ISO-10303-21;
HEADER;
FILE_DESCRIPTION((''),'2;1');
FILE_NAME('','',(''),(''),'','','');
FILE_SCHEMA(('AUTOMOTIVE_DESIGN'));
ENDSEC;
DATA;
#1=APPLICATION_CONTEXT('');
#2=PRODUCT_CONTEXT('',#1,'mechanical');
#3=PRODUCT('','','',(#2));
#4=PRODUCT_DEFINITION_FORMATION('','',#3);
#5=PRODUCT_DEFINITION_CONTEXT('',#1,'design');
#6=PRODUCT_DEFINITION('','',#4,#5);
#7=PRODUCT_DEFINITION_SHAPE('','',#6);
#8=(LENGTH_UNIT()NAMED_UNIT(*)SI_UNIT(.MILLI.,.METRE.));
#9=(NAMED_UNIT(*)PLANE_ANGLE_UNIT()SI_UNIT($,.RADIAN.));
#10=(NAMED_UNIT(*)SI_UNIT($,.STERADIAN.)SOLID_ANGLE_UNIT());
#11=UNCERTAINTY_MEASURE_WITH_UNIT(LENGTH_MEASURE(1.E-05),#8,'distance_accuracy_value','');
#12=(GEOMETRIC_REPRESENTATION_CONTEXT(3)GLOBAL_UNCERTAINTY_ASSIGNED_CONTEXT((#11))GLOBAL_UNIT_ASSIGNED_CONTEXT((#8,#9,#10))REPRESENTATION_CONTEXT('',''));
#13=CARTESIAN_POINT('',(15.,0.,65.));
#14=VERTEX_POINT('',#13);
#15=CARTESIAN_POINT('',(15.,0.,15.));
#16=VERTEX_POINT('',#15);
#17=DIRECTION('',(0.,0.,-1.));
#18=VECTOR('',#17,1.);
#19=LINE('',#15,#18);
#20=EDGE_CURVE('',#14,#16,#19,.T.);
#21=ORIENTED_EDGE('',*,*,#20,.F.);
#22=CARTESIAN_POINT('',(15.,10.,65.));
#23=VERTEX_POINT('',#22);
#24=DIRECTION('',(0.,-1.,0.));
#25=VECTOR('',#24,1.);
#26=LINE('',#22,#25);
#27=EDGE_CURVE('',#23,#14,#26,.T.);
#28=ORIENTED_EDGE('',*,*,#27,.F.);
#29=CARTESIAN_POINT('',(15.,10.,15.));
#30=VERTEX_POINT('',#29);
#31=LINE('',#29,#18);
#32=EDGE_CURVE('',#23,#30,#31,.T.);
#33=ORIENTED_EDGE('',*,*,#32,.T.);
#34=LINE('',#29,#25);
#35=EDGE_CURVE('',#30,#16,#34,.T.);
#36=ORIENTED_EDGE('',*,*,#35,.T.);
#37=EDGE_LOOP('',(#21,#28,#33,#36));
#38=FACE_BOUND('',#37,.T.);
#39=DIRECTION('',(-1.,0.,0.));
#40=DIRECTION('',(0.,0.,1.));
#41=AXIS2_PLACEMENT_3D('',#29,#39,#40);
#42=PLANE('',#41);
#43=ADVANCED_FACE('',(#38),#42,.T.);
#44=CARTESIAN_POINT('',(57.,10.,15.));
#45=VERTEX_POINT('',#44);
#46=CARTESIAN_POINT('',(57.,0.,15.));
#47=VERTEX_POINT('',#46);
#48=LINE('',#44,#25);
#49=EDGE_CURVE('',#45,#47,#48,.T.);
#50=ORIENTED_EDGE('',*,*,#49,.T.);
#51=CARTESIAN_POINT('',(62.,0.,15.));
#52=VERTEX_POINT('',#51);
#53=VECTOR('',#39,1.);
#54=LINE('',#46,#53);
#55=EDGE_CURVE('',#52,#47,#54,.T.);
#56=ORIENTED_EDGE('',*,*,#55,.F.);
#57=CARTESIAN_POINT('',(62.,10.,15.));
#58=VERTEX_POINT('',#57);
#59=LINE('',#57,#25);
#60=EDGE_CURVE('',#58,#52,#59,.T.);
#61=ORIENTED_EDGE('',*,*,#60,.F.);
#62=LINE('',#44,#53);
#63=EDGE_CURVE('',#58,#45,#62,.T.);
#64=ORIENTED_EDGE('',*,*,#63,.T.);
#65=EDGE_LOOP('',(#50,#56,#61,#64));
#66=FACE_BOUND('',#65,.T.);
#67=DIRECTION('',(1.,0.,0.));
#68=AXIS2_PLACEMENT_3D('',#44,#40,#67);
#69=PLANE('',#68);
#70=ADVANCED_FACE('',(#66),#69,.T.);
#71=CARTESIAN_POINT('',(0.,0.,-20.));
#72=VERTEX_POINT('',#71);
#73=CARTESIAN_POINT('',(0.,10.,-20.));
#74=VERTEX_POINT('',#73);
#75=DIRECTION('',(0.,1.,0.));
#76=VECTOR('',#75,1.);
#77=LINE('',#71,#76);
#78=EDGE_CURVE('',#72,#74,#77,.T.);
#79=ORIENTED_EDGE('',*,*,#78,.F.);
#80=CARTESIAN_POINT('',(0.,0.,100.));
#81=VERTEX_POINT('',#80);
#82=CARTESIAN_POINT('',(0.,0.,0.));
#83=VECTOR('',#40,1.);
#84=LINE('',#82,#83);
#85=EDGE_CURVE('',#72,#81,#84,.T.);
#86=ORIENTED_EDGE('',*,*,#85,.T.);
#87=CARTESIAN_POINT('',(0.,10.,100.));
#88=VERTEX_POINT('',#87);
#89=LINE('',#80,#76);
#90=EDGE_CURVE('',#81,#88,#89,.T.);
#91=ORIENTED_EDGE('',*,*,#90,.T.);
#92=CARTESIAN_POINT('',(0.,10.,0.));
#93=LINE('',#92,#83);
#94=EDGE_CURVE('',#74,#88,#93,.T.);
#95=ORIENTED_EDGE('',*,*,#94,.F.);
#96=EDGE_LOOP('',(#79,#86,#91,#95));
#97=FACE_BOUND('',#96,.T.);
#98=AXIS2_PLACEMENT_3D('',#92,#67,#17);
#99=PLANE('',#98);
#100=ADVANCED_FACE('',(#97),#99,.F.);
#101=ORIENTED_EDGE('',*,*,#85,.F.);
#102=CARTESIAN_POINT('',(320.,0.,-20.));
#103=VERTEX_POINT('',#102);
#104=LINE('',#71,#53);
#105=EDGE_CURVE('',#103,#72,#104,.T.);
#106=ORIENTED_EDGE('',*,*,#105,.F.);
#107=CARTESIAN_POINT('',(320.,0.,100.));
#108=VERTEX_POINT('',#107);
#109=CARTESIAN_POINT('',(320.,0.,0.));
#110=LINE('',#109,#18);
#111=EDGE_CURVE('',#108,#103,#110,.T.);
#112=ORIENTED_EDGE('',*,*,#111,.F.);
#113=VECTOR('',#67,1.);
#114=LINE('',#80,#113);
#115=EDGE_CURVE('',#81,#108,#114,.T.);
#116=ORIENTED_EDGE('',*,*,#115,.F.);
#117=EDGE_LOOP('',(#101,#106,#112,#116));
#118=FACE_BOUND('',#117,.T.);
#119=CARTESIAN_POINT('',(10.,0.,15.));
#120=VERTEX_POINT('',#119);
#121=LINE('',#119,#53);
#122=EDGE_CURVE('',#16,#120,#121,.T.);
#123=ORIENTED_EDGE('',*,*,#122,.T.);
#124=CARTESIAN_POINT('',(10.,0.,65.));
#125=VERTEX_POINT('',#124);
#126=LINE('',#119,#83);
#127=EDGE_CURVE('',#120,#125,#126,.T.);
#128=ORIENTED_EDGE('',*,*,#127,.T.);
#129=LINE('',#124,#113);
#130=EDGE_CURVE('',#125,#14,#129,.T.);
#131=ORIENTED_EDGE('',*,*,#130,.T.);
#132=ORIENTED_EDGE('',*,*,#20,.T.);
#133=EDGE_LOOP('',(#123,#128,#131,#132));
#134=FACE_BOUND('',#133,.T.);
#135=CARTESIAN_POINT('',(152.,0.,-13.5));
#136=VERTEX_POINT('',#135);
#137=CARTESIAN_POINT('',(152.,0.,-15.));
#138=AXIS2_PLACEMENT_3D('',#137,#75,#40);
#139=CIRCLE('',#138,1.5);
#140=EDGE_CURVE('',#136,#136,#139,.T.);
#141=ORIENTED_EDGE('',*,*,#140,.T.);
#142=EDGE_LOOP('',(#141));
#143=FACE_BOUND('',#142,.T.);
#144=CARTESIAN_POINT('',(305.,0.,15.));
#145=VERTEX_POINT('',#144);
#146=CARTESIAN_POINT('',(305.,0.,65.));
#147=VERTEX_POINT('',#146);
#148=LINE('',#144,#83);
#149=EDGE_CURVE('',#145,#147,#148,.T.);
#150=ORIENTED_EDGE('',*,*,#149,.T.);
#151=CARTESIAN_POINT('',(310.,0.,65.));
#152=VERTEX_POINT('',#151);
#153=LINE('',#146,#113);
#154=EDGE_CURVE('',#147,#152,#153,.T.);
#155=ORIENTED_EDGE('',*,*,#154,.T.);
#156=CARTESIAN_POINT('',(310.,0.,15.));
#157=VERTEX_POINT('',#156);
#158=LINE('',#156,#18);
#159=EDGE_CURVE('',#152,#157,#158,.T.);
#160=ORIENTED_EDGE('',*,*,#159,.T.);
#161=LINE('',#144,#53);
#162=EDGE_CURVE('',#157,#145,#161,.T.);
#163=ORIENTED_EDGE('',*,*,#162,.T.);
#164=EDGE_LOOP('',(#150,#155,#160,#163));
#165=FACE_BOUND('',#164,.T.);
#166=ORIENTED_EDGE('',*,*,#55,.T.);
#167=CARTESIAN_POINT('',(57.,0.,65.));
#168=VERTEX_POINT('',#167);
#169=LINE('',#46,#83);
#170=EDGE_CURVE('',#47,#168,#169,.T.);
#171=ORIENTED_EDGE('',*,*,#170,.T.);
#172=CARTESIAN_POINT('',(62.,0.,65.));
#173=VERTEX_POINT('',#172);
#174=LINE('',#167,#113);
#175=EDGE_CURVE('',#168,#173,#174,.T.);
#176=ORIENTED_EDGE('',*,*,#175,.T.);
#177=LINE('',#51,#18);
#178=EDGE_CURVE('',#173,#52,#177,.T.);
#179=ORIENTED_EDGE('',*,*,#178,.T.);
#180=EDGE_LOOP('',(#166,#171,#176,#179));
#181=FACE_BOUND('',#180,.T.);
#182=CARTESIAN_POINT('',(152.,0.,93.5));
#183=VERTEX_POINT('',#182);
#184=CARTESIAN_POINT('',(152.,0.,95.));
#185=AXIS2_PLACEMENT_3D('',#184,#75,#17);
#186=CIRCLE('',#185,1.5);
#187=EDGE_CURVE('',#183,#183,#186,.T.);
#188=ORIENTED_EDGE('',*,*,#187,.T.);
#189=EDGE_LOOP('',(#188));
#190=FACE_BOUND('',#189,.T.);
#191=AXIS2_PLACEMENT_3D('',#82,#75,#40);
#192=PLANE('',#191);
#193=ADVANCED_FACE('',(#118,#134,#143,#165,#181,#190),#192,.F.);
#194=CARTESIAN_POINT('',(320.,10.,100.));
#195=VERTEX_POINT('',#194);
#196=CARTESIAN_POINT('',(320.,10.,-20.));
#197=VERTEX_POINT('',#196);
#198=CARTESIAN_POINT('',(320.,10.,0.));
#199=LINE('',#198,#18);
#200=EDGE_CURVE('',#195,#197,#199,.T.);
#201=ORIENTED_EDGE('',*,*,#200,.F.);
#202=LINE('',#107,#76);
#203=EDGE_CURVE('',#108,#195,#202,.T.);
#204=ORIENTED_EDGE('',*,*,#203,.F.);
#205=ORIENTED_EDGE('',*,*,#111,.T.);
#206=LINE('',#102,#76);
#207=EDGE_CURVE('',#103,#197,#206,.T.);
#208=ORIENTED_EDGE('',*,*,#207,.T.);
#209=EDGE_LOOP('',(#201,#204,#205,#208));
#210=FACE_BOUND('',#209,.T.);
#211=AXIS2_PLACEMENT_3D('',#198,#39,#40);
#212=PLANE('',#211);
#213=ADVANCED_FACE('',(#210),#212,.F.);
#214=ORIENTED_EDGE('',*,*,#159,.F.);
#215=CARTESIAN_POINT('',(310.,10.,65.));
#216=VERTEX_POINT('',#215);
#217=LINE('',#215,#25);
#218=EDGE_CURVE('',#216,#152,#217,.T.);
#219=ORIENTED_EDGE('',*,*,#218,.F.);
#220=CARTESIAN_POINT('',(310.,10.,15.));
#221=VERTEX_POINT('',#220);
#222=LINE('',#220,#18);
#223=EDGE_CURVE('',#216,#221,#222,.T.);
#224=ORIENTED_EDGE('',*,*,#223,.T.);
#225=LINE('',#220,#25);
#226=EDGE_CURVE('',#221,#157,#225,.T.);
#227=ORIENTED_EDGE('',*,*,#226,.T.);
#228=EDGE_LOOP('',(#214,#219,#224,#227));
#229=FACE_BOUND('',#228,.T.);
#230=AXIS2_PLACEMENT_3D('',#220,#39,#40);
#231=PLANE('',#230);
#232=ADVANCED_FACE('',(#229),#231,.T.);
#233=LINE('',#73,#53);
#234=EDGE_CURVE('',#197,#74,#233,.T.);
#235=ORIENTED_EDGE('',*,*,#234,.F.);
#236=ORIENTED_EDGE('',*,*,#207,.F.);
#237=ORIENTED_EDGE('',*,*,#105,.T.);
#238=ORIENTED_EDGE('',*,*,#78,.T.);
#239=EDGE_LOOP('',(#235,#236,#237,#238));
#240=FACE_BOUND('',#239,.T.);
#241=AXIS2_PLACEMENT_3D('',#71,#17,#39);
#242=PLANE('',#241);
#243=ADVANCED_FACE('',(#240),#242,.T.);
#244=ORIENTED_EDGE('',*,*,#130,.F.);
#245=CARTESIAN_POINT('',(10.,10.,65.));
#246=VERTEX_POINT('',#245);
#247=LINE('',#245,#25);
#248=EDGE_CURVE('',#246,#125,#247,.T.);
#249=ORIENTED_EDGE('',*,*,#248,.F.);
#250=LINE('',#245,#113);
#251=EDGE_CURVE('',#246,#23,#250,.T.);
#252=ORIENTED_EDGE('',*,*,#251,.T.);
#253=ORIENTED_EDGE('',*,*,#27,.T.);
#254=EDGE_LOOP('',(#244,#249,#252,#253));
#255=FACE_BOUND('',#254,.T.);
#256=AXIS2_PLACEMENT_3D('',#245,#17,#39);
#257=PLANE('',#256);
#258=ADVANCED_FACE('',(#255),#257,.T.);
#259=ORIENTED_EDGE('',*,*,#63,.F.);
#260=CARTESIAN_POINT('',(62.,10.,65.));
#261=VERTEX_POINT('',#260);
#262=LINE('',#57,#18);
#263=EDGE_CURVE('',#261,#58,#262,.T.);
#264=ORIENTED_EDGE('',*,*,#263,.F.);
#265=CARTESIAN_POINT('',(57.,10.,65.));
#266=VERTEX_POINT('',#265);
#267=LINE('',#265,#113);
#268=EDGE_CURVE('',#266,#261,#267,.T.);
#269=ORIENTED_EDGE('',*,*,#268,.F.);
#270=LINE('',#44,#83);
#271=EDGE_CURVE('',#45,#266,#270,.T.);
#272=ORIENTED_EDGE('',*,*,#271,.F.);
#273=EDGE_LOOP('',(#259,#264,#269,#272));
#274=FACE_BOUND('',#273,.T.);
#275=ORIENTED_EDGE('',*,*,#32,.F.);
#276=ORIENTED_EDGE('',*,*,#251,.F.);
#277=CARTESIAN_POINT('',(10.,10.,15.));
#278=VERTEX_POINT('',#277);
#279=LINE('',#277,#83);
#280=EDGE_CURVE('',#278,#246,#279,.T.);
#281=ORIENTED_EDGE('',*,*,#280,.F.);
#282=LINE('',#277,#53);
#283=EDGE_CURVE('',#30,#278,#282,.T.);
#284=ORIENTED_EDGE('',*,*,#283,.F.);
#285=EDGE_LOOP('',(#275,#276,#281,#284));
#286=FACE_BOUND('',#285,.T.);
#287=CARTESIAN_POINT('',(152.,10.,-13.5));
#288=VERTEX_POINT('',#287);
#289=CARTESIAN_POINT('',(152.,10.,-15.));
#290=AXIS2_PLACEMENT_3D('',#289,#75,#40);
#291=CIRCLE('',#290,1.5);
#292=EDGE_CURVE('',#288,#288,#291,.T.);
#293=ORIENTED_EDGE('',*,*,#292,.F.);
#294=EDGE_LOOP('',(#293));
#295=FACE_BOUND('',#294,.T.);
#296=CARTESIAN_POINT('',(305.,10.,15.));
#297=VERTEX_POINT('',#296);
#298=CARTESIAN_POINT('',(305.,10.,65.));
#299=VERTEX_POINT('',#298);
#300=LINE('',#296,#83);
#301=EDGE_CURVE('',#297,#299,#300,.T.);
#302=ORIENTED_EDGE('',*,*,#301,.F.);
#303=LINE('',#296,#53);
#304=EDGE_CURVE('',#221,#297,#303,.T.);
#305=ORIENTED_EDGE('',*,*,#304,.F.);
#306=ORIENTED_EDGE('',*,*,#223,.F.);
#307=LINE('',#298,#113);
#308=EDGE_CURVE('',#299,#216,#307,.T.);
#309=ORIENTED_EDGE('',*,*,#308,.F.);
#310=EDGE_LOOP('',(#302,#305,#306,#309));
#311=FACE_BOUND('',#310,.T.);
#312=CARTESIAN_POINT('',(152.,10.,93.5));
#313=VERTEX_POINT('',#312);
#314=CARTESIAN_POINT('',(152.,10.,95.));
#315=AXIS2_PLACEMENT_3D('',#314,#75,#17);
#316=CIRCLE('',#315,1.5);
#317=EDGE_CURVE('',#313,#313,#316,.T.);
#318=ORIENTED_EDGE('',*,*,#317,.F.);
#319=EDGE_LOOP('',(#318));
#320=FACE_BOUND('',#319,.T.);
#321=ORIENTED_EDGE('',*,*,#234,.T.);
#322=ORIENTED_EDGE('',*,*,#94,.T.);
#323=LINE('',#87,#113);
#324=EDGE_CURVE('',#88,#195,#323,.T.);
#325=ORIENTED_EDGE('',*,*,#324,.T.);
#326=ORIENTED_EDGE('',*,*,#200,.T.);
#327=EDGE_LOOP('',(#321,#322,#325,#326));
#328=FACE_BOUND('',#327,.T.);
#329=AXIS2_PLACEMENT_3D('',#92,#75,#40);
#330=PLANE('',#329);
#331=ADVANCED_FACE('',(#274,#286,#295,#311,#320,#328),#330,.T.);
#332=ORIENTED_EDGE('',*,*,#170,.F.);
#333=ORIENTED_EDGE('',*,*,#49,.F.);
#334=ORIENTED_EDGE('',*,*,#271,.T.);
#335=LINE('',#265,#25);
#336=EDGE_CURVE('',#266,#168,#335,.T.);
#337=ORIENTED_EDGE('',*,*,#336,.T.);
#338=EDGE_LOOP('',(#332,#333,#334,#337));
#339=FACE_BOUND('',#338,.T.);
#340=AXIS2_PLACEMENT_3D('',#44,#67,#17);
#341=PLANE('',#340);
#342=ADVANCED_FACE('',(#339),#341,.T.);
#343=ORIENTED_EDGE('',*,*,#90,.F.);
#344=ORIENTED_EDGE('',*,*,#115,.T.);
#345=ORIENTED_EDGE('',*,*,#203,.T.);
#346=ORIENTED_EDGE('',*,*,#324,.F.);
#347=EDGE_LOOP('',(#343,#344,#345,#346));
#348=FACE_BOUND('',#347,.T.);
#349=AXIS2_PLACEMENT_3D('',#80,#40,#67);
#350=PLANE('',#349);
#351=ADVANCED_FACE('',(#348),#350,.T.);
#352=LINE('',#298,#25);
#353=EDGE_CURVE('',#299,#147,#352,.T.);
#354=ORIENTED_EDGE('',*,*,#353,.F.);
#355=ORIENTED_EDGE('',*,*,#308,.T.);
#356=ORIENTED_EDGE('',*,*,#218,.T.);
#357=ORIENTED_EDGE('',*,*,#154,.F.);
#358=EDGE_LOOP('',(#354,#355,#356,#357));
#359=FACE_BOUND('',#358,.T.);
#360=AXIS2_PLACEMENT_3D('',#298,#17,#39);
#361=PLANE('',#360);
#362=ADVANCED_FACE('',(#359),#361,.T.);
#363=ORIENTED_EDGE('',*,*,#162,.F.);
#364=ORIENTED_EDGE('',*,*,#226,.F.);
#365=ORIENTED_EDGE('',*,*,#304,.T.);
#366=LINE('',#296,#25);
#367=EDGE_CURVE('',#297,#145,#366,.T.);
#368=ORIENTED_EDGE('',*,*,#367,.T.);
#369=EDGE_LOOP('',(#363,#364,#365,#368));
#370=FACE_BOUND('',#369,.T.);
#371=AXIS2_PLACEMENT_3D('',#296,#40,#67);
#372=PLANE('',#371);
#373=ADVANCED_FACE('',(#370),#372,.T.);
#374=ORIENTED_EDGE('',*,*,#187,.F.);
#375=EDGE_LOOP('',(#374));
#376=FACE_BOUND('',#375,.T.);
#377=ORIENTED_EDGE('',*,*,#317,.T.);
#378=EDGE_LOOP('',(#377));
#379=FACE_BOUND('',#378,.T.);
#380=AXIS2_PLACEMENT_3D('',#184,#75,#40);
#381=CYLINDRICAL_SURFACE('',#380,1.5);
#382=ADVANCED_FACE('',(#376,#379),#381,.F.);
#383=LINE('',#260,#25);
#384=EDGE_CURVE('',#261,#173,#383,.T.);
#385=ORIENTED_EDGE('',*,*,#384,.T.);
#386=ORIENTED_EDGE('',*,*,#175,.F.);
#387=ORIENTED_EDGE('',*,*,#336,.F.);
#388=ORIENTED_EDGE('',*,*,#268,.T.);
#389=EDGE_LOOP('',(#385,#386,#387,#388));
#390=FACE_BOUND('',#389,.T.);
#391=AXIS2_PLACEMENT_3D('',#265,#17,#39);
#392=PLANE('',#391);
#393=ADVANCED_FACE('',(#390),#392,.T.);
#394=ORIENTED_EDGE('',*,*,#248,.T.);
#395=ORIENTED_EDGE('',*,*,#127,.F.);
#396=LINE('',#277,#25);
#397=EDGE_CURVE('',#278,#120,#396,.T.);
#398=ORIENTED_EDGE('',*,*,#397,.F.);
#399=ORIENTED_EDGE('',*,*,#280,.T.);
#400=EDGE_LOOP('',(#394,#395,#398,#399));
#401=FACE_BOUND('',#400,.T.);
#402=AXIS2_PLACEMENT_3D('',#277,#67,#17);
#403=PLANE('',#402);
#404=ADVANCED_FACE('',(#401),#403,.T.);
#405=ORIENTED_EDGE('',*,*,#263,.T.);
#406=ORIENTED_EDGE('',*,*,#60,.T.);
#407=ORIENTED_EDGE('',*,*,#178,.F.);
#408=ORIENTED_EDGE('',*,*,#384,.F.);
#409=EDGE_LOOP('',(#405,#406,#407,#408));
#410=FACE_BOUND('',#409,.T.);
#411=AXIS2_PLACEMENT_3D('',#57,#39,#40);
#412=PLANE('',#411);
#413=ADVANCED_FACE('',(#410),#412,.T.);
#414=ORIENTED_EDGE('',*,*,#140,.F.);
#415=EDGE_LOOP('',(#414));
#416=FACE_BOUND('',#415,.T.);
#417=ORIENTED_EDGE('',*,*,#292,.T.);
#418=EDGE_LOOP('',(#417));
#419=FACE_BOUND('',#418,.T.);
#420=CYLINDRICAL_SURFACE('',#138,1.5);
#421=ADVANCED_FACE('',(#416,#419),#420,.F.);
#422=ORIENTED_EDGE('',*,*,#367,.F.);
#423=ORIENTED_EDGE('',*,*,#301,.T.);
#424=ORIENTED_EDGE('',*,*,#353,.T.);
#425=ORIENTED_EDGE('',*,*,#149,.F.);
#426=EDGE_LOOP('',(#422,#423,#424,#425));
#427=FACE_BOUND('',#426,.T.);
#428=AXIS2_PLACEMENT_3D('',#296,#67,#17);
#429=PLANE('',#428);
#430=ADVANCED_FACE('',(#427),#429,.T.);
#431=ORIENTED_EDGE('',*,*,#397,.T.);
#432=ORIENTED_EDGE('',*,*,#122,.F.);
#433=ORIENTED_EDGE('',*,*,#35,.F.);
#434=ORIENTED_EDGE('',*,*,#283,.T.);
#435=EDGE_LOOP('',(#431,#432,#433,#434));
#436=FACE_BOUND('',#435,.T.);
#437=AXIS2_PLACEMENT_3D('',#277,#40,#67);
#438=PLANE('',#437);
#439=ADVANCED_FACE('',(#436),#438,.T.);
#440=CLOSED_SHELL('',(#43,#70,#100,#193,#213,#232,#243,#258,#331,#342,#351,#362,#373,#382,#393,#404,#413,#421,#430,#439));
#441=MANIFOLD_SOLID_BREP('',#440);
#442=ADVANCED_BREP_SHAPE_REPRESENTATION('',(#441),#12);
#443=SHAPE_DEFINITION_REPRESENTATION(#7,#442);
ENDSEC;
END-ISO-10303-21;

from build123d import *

# Parameters (mm, degrees)
SKETCH1_W           = 320
SKETCH1_H           = 80
SKETCH1_W_2         = 5
SKETCH1_H_2         = 50
BOSS_EXTRUDE1_DEPTH = 10
SKETCH2_W           = 320
SKETCH2_H           = 20
BOSS_EXTRUDE2_DEPTH = 10
SKETCH3_R           = 1.5
CUT_EXTRUDE1_DEPTH  = 10


with BuildPart() as part:
    # Sketch1 → Boss-Extrude1 (new body)
    with BuildSketch(Plane(origin=(0, 0, 0), x_dir=(1, 0, 0), z_dir=(0, 1, 0))):
        with Locations((160, -40)):
            Rectangle(SKETCH1_W, SKETCH1_H)
        with Locations((12.5, -40)):
            Rectangle(SKETCH1_W_2, SKETCH1_H_2, mode=Mode.SUBTRACT)
        with Locations((59.5, -40)):
            Rectangle(SKETCH1_W_2, SKETCH1_H_2, mode=Mode.SUBTRACT)
        with Locations((307.5, -40)):
            Rectangle(SKETCH1_W_2, SKETCH1_H_2, mode=Mode.SUBTRACT)
    extrude(amount=BOSS_EXTRUDE1_DEPTH)

    # Sketch2 → Boss-Extrude2 (add)
    with BuildSketch(Plane(origin=(0, 10, 0), x_dir=(1, 0, 0), z_dir=(0, 1, 0))):
        with Locations((160, 10)):
            Rectangle(SKETCH2_W, SKETCH2_H)
        with Locations((160, -90)):
            Rectangle(SKETCH2_W, SKETCH2_H)
    extrude(amount=-BOSS_EXTRUDE2_DEPTH)

    # Sketch3 → Cut-Extrude1 (cut)
    with BuildSketch(Plane(origin=(0, 10, 0), x_dir=(1, 0, 0), z_dir=(0, 1, 0))):
        with Locations(Location((152, 15, 0), (0, 0, 270))):
            Circle(SKETCH3_R)
        with Locations(Location((152, -95, 0), (0, 0, 90))):
            Circle(SKETCH3_R)
    extrude(amount=-CUT_EXTRUDE1_DEPTH, mode=Mode.SUBTRACT)


solid = part.part
